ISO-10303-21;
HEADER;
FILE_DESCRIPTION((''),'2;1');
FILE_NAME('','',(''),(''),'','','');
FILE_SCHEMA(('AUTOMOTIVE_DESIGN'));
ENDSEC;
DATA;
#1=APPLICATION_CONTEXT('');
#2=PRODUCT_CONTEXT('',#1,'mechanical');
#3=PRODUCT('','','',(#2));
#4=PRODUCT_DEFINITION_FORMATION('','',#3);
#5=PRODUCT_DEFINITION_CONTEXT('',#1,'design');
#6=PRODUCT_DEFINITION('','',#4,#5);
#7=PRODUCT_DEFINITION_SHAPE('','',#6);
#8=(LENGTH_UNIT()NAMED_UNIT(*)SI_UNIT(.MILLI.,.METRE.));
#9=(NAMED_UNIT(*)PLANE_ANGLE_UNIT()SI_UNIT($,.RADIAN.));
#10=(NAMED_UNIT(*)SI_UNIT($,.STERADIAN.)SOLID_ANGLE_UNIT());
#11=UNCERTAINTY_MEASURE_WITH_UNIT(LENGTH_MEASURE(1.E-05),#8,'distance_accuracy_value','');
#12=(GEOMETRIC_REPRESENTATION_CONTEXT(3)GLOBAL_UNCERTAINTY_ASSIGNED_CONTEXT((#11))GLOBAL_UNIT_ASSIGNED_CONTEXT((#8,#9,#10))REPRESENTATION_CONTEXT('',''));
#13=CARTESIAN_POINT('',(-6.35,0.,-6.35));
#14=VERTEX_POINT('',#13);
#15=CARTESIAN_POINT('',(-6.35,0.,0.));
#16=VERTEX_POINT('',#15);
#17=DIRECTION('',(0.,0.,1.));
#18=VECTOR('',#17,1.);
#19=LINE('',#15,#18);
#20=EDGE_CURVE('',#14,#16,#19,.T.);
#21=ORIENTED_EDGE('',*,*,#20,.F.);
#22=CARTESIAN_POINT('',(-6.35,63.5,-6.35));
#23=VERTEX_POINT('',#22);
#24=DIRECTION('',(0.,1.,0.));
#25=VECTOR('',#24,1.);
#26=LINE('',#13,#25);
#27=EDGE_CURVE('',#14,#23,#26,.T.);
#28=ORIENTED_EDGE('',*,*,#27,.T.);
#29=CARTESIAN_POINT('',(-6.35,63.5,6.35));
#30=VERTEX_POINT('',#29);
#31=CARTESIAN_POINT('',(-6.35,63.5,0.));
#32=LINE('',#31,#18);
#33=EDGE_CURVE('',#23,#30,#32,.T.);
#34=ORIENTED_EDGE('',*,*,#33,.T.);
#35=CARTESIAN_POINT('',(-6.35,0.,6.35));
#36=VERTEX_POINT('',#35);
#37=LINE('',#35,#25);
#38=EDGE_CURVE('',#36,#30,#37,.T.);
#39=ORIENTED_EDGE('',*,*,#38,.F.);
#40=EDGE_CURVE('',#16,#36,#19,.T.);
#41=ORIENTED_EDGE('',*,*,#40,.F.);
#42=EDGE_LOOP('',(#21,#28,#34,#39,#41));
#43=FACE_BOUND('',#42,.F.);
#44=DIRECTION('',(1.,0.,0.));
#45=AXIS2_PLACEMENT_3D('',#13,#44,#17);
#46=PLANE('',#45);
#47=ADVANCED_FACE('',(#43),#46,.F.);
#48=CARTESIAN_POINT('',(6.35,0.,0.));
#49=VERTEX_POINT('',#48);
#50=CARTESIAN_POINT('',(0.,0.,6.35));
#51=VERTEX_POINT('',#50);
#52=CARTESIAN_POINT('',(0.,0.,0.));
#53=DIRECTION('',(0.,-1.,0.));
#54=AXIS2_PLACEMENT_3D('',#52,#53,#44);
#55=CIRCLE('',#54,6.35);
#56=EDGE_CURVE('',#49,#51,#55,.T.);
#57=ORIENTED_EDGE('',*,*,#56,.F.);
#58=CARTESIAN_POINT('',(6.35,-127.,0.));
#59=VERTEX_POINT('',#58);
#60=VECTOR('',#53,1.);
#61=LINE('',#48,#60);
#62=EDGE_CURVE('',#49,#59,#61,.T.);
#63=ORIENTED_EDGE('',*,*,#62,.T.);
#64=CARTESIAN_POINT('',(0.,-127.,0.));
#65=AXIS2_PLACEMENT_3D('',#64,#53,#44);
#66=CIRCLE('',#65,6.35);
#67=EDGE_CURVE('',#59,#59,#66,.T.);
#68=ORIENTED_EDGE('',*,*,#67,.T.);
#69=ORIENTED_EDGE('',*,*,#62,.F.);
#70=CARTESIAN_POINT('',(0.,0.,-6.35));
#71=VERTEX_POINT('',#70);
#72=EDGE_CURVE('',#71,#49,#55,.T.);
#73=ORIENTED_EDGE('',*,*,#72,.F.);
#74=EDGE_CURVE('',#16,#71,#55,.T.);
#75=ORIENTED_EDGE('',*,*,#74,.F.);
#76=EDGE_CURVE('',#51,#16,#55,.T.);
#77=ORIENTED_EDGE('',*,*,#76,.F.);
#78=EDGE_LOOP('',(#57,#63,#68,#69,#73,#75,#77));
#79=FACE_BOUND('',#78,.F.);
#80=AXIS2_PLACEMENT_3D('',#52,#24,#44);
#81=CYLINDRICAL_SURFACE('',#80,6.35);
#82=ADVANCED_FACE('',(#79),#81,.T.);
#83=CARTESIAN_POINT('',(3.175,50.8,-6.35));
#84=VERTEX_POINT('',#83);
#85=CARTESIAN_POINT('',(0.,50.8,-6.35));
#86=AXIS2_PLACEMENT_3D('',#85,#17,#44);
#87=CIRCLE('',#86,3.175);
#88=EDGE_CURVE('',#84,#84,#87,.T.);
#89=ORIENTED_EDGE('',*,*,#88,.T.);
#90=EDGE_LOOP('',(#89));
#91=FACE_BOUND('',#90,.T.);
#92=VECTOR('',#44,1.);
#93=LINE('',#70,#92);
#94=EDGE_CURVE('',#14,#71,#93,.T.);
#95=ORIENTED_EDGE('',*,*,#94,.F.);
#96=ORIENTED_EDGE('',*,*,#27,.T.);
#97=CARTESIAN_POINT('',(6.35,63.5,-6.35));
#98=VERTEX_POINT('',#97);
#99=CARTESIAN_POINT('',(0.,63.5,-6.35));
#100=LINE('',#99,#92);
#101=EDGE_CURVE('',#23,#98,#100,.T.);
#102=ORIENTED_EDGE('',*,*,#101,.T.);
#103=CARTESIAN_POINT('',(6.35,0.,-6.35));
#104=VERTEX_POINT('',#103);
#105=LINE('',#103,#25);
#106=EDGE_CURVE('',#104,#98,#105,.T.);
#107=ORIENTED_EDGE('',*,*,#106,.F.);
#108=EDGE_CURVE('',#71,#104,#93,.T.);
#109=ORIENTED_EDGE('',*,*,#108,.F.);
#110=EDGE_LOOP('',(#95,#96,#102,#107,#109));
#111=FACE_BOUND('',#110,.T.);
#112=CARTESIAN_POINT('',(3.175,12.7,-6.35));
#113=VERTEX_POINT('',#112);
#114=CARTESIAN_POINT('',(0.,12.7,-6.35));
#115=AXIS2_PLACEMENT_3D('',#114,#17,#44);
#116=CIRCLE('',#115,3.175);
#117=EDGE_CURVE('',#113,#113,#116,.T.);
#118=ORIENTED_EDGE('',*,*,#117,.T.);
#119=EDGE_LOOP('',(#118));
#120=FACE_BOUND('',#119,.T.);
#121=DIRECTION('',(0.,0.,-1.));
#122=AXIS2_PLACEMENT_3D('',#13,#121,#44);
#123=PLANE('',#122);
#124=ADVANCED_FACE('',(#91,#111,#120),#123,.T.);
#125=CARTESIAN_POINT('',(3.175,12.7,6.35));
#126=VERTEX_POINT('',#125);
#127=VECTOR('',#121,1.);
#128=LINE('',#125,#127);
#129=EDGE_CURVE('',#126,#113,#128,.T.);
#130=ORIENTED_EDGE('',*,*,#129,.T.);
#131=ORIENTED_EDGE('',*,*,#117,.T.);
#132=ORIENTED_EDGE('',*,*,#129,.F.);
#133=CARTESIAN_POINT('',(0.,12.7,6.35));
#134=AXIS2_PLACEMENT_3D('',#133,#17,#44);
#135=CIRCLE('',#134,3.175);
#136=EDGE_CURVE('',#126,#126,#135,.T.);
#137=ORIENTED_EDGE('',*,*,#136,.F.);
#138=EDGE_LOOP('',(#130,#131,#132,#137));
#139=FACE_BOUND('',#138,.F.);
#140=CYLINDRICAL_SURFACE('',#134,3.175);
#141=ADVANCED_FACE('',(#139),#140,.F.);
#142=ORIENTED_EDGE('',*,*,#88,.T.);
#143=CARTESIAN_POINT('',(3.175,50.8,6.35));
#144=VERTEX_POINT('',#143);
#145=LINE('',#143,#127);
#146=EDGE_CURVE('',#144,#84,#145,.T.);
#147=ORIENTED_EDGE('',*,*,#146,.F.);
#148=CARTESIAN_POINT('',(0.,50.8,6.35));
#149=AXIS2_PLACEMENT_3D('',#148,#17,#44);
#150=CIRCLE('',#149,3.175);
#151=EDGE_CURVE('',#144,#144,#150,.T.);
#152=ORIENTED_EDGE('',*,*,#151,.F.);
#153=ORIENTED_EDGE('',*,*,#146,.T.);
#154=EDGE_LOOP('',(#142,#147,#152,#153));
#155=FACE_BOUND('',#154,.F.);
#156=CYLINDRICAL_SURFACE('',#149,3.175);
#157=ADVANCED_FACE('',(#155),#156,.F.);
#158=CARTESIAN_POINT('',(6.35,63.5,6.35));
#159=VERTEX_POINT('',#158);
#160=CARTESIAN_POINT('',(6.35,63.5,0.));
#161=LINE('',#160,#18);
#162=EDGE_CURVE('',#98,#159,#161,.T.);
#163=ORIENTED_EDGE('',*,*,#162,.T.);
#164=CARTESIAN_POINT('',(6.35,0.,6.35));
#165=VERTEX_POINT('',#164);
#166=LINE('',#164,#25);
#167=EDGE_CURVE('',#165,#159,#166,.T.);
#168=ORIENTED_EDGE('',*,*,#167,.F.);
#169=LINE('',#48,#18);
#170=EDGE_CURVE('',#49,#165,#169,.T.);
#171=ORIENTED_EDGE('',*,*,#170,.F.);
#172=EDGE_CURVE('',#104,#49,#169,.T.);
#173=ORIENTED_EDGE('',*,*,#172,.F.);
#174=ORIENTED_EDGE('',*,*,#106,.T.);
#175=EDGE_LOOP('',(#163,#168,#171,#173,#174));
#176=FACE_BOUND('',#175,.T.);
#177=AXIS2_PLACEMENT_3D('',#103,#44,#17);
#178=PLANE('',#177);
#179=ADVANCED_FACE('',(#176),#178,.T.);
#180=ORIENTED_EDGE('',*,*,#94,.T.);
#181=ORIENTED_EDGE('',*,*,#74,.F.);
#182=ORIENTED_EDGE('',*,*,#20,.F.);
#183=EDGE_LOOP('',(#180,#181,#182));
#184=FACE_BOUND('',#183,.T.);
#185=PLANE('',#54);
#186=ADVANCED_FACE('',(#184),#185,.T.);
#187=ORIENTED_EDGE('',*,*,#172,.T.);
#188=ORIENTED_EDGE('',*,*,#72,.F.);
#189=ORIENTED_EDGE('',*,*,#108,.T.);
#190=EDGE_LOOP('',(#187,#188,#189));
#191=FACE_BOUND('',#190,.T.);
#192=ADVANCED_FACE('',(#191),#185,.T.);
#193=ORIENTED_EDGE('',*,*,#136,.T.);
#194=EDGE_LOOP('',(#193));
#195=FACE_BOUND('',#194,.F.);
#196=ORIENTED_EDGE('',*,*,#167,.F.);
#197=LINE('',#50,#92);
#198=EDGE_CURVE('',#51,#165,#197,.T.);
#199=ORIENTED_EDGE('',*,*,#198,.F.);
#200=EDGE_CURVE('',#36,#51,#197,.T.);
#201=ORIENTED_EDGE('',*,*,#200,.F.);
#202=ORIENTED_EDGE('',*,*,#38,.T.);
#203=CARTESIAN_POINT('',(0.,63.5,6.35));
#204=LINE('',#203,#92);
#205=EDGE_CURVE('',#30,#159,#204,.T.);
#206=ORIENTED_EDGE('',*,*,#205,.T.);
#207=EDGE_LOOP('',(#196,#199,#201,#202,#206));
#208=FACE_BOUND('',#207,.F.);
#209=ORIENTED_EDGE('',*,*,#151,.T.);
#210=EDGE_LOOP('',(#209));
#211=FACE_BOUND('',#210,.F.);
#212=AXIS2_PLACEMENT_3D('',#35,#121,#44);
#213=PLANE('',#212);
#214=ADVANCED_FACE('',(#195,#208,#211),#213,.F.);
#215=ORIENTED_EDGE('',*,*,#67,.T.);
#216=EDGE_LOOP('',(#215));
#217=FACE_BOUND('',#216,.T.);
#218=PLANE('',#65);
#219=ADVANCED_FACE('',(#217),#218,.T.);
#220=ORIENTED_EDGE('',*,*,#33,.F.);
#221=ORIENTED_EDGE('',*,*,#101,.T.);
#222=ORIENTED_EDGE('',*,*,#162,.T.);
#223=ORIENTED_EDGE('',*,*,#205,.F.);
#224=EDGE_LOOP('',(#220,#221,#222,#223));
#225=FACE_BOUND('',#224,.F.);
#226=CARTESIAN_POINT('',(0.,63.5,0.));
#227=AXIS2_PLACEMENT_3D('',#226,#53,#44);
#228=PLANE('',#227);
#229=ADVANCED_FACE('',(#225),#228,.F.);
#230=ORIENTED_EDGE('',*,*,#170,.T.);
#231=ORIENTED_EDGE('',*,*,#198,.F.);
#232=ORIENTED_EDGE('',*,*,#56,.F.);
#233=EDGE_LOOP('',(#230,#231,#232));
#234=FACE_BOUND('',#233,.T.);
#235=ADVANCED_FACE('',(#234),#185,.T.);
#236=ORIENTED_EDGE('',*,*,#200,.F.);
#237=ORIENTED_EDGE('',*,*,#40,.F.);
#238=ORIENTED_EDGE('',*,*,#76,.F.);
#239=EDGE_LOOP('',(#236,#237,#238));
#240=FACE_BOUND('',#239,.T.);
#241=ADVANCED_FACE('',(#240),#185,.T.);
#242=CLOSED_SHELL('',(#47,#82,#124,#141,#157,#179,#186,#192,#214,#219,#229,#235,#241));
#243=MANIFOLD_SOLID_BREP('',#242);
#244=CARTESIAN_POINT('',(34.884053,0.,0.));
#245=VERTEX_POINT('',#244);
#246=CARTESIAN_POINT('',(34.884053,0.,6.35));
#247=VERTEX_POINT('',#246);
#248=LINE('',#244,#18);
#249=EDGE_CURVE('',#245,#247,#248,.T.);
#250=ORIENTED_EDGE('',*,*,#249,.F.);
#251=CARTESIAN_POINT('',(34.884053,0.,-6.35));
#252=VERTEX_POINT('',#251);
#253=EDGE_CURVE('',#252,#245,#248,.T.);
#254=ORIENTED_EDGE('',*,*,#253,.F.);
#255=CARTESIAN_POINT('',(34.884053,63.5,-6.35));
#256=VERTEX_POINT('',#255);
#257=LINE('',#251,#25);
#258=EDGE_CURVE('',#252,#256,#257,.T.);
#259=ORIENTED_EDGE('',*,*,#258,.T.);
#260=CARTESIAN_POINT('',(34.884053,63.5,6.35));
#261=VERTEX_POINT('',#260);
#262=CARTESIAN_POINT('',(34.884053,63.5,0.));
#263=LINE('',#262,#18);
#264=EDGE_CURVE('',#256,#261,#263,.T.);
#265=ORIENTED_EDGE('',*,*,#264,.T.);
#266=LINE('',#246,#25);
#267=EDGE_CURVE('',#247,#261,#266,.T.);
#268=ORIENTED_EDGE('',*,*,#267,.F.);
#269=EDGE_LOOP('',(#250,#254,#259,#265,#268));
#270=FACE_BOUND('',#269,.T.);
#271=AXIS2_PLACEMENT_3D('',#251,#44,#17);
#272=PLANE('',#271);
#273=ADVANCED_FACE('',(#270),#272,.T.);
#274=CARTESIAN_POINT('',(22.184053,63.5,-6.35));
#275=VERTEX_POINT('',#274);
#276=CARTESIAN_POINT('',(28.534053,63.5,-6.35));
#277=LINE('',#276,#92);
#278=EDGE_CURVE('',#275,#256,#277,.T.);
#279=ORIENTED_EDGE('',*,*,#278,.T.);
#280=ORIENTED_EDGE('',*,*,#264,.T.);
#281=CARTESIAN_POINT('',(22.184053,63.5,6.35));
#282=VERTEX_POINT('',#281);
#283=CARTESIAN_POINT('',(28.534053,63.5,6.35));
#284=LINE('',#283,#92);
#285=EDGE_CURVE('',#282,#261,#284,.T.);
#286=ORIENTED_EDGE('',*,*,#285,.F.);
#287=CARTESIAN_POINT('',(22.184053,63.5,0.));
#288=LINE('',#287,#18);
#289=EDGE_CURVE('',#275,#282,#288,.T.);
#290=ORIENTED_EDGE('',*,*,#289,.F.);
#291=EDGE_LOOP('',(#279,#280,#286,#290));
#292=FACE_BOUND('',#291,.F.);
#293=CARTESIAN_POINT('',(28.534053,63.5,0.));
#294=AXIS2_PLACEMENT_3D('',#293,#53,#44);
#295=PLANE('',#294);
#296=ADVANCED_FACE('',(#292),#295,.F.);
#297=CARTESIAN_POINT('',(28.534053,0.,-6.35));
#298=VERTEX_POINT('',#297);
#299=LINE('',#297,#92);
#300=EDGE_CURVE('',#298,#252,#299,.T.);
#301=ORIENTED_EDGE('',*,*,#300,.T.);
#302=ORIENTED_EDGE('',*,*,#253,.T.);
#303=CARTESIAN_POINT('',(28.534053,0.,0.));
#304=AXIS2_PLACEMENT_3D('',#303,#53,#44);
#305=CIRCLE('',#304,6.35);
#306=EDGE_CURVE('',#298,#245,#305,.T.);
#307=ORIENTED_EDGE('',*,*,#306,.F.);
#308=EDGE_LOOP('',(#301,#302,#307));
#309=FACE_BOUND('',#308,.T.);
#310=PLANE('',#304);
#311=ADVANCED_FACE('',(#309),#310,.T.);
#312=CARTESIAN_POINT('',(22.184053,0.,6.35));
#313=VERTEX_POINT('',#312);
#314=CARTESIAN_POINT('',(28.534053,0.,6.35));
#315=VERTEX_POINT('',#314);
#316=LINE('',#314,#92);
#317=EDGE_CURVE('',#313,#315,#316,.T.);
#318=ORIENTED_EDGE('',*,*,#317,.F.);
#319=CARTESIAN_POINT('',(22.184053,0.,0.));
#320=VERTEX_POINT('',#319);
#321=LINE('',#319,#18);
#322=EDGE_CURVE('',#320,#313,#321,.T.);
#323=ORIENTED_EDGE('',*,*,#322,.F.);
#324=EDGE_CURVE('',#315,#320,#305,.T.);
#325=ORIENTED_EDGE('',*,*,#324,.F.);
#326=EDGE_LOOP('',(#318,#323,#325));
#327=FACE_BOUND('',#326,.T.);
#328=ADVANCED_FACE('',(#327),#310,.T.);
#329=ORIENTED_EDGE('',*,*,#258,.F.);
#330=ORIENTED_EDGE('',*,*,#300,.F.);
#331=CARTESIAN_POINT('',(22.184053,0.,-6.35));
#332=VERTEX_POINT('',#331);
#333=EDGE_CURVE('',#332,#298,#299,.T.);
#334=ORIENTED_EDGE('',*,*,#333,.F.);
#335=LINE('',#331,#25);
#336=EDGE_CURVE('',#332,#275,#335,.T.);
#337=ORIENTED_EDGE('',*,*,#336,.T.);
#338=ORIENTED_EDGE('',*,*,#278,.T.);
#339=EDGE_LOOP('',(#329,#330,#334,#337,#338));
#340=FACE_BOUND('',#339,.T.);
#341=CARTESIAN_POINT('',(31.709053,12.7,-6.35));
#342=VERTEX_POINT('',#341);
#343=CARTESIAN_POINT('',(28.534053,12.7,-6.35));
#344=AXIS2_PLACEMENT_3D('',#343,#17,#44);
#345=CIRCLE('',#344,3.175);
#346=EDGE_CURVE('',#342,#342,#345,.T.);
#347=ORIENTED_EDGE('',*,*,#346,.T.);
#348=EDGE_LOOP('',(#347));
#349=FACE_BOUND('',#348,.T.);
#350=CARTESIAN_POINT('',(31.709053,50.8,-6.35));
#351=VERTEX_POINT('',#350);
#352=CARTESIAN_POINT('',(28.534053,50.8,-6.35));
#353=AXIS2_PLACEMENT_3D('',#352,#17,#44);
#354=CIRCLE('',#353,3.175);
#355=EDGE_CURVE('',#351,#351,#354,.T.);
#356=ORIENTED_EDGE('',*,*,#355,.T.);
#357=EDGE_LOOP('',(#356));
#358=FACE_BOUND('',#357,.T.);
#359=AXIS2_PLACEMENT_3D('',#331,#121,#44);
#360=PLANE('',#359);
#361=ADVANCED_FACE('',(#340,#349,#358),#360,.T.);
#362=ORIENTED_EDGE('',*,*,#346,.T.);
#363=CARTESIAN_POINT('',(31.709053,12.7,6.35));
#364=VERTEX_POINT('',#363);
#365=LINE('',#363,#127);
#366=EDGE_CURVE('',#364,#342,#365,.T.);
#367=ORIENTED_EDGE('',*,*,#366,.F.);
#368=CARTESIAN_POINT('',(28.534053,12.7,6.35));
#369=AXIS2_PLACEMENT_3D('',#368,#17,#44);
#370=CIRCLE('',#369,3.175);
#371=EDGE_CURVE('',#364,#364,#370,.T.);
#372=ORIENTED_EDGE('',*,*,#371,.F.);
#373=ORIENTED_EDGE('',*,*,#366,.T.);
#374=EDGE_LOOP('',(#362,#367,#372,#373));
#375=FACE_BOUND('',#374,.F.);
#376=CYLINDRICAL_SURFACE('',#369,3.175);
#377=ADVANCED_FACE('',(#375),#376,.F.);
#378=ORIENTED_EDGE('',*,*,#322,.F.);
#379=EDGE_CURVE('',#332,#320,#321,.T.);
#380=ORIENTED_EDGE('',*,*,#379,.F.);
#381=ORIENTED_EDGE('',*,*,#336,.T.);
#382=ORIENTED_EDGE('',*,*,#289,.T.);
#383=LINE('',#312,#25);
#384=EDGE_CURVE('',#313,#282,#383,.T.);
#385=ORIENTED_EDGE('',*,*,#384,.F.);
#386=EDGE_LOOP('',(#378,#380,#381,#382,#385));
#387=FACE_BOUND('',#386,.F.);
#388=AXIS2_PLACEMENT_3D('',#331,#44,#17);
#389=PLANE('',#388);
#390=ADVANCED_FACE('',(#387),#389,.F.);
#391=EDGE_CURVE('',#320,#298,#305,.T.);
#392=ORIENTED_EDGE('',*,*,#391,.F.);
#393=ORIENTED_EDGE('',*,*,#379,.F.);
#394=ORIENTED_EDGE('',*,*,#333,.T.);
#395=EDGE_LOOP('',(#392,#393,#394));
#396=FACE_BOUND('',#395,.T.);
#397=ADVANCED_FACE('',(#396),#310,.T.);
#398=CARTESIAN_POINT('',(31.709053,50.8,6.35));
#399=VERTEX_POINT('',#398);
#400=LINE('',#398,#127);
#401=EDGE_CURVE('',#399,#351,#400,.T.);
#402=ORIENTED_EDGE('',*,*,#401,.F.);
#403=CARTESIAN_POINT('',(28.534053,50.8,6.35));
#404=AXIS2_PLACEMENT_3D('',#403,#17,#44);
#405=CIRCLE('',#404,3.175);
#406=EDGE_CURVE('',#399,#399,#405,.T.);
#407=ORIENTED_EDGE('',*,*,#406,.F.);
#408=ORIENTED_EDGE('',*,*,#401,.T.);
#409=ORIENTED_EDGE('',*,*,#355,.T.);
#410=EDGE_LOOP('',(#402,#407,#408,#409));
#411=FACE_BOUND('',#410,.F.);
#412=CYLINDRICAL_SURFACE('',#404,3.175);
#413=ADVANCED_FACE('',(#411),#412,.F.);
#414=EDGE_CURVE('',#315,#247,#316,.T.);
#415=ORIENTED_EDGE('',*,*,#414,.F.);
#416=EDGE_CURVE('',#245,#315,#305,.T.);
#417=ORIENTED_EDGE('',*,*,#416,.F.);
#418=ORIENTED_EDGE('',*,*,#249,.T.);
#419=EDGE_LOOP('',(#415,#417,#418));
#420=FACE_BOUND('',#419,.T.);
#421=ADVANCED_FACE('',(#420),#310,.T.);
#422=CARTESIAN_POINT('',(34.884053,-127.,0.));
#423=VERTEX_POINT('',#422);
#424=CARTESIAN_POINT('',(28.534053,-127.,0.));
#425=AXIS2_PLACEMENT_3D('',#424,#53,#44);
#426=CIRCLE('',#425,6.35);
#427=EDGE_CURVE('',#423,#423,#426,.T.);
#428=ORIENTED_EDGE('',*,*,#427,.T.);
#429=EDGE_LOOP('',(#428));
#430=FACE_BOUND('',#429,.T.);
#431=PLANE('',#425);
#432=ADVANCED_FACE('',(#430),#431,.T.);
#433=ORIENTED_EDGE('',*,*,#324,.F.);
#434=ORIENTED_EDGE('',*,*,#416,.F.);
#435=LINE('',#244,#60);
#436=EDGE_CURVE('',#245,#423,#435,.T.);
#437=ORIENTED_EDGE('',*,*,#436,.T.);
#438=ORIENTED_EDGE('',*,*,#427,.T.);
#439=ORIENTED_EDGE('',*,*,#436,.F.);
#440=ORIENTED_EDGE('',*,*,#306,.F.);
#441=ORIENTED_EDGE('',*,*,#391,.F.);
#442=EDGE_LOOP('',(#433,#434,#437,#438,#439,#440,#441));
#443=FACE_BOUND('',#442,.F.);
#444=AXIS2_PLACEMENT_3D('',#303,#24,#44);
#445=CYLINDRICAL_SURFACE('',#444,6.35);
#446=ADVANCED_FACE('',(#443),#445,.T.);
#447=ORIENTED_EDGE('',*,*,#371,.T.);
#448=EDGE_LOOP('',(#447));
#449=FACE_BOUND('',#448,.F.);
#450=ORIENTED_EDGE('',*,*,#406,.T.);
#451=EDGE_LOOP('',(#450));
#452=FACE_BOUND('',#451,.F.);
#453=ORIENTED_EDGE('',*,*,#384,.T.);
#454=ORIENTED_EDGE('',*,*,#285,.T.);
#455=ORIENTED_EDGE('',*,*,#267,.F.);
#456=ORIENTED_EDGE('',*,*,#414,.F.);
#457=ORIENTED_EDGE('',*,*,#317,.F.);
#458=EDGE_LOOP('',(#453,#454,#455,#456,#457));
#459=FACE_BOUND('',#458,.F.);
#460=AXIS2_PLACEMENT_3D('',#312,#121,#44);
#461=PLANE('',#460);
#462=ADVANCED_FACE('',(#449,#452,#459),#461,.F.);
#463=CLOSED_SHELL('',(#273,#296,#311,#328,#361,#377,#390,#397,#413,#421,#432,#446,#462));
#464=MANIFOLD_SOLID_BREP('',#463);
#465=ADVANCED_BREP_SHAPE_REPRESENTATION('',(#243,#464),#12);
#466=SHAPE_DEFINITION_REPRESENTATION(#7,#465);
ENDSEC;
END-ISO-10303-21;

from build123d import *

# Parameters (mm, degrees)
F0_R      = 6.35
F1_DEPTH  = 127
F2_W      = 12.7
F2_H      = 12.7
F3_DEPTH  = 63.5
F4_R      = 3.175
F5_DEPTH  = 254
F6_R      = 6.35
F7_DEPTH  = 127
F8_W      = 12.7
F8_H      = 12.7
F9_DEPTH  = 63.5
F10_R     = 3.175
F11_DEPTH = 254


with BuildPart() as f1:
    # F0 (on Front) → F1 (new body)
    with BuildSketch(Plane.XZ):
        Circle(F0_R)
    extrude(amount=F1_DEPTH)

    # F2 (on Front) → F3 (join)
    with BuildSketch(Plane.XZ):
        Rectangle(F2_W, F2_H)
    extrude(amount=-F3_DEPTH)

    # F4 (on face) → F5 (cut)
    with BuildSketch(Plane.XY.offset(6.35)):
        with Locations((0, 12.7)):
            Circle(F4_R)
        with Locations((0, 50.8)):
            Circle(F4_R)
    extrude(amount=-F5_DEPTH, mode=Mode.SUBTRACT)


with BuildPart() as f7:
    # F6 (on Front) → F7 (new body)
    with BuildSketch(Plane.XZ):
        with Locations((28.534053, 0)):
            Circle(F6_R)
    extrude(amount=F7_DEPTH)

    # F8 (on Front) → F9 (join)
    with BuildSketch(Plane.XZ):
        with Locations((28.534053, 0)):
            Rectangle(F8_W, F8_H)
    extrude(amount=-F9_DEPTH)

    # F10 (on face) → F11 (cut)
    with BuildSketch(Plane.XY.offset(6.35)):
        with Locations((28.534053, 50.8)):
            Circle(F10_R)
        with Locations((28.534053, 12.7)):
            Circle(F10_R)
    extrude(amount=-F11_DEPTH, mode=Mode.SUBTRACT)


solid = Compound([f1.part, f7.part])
